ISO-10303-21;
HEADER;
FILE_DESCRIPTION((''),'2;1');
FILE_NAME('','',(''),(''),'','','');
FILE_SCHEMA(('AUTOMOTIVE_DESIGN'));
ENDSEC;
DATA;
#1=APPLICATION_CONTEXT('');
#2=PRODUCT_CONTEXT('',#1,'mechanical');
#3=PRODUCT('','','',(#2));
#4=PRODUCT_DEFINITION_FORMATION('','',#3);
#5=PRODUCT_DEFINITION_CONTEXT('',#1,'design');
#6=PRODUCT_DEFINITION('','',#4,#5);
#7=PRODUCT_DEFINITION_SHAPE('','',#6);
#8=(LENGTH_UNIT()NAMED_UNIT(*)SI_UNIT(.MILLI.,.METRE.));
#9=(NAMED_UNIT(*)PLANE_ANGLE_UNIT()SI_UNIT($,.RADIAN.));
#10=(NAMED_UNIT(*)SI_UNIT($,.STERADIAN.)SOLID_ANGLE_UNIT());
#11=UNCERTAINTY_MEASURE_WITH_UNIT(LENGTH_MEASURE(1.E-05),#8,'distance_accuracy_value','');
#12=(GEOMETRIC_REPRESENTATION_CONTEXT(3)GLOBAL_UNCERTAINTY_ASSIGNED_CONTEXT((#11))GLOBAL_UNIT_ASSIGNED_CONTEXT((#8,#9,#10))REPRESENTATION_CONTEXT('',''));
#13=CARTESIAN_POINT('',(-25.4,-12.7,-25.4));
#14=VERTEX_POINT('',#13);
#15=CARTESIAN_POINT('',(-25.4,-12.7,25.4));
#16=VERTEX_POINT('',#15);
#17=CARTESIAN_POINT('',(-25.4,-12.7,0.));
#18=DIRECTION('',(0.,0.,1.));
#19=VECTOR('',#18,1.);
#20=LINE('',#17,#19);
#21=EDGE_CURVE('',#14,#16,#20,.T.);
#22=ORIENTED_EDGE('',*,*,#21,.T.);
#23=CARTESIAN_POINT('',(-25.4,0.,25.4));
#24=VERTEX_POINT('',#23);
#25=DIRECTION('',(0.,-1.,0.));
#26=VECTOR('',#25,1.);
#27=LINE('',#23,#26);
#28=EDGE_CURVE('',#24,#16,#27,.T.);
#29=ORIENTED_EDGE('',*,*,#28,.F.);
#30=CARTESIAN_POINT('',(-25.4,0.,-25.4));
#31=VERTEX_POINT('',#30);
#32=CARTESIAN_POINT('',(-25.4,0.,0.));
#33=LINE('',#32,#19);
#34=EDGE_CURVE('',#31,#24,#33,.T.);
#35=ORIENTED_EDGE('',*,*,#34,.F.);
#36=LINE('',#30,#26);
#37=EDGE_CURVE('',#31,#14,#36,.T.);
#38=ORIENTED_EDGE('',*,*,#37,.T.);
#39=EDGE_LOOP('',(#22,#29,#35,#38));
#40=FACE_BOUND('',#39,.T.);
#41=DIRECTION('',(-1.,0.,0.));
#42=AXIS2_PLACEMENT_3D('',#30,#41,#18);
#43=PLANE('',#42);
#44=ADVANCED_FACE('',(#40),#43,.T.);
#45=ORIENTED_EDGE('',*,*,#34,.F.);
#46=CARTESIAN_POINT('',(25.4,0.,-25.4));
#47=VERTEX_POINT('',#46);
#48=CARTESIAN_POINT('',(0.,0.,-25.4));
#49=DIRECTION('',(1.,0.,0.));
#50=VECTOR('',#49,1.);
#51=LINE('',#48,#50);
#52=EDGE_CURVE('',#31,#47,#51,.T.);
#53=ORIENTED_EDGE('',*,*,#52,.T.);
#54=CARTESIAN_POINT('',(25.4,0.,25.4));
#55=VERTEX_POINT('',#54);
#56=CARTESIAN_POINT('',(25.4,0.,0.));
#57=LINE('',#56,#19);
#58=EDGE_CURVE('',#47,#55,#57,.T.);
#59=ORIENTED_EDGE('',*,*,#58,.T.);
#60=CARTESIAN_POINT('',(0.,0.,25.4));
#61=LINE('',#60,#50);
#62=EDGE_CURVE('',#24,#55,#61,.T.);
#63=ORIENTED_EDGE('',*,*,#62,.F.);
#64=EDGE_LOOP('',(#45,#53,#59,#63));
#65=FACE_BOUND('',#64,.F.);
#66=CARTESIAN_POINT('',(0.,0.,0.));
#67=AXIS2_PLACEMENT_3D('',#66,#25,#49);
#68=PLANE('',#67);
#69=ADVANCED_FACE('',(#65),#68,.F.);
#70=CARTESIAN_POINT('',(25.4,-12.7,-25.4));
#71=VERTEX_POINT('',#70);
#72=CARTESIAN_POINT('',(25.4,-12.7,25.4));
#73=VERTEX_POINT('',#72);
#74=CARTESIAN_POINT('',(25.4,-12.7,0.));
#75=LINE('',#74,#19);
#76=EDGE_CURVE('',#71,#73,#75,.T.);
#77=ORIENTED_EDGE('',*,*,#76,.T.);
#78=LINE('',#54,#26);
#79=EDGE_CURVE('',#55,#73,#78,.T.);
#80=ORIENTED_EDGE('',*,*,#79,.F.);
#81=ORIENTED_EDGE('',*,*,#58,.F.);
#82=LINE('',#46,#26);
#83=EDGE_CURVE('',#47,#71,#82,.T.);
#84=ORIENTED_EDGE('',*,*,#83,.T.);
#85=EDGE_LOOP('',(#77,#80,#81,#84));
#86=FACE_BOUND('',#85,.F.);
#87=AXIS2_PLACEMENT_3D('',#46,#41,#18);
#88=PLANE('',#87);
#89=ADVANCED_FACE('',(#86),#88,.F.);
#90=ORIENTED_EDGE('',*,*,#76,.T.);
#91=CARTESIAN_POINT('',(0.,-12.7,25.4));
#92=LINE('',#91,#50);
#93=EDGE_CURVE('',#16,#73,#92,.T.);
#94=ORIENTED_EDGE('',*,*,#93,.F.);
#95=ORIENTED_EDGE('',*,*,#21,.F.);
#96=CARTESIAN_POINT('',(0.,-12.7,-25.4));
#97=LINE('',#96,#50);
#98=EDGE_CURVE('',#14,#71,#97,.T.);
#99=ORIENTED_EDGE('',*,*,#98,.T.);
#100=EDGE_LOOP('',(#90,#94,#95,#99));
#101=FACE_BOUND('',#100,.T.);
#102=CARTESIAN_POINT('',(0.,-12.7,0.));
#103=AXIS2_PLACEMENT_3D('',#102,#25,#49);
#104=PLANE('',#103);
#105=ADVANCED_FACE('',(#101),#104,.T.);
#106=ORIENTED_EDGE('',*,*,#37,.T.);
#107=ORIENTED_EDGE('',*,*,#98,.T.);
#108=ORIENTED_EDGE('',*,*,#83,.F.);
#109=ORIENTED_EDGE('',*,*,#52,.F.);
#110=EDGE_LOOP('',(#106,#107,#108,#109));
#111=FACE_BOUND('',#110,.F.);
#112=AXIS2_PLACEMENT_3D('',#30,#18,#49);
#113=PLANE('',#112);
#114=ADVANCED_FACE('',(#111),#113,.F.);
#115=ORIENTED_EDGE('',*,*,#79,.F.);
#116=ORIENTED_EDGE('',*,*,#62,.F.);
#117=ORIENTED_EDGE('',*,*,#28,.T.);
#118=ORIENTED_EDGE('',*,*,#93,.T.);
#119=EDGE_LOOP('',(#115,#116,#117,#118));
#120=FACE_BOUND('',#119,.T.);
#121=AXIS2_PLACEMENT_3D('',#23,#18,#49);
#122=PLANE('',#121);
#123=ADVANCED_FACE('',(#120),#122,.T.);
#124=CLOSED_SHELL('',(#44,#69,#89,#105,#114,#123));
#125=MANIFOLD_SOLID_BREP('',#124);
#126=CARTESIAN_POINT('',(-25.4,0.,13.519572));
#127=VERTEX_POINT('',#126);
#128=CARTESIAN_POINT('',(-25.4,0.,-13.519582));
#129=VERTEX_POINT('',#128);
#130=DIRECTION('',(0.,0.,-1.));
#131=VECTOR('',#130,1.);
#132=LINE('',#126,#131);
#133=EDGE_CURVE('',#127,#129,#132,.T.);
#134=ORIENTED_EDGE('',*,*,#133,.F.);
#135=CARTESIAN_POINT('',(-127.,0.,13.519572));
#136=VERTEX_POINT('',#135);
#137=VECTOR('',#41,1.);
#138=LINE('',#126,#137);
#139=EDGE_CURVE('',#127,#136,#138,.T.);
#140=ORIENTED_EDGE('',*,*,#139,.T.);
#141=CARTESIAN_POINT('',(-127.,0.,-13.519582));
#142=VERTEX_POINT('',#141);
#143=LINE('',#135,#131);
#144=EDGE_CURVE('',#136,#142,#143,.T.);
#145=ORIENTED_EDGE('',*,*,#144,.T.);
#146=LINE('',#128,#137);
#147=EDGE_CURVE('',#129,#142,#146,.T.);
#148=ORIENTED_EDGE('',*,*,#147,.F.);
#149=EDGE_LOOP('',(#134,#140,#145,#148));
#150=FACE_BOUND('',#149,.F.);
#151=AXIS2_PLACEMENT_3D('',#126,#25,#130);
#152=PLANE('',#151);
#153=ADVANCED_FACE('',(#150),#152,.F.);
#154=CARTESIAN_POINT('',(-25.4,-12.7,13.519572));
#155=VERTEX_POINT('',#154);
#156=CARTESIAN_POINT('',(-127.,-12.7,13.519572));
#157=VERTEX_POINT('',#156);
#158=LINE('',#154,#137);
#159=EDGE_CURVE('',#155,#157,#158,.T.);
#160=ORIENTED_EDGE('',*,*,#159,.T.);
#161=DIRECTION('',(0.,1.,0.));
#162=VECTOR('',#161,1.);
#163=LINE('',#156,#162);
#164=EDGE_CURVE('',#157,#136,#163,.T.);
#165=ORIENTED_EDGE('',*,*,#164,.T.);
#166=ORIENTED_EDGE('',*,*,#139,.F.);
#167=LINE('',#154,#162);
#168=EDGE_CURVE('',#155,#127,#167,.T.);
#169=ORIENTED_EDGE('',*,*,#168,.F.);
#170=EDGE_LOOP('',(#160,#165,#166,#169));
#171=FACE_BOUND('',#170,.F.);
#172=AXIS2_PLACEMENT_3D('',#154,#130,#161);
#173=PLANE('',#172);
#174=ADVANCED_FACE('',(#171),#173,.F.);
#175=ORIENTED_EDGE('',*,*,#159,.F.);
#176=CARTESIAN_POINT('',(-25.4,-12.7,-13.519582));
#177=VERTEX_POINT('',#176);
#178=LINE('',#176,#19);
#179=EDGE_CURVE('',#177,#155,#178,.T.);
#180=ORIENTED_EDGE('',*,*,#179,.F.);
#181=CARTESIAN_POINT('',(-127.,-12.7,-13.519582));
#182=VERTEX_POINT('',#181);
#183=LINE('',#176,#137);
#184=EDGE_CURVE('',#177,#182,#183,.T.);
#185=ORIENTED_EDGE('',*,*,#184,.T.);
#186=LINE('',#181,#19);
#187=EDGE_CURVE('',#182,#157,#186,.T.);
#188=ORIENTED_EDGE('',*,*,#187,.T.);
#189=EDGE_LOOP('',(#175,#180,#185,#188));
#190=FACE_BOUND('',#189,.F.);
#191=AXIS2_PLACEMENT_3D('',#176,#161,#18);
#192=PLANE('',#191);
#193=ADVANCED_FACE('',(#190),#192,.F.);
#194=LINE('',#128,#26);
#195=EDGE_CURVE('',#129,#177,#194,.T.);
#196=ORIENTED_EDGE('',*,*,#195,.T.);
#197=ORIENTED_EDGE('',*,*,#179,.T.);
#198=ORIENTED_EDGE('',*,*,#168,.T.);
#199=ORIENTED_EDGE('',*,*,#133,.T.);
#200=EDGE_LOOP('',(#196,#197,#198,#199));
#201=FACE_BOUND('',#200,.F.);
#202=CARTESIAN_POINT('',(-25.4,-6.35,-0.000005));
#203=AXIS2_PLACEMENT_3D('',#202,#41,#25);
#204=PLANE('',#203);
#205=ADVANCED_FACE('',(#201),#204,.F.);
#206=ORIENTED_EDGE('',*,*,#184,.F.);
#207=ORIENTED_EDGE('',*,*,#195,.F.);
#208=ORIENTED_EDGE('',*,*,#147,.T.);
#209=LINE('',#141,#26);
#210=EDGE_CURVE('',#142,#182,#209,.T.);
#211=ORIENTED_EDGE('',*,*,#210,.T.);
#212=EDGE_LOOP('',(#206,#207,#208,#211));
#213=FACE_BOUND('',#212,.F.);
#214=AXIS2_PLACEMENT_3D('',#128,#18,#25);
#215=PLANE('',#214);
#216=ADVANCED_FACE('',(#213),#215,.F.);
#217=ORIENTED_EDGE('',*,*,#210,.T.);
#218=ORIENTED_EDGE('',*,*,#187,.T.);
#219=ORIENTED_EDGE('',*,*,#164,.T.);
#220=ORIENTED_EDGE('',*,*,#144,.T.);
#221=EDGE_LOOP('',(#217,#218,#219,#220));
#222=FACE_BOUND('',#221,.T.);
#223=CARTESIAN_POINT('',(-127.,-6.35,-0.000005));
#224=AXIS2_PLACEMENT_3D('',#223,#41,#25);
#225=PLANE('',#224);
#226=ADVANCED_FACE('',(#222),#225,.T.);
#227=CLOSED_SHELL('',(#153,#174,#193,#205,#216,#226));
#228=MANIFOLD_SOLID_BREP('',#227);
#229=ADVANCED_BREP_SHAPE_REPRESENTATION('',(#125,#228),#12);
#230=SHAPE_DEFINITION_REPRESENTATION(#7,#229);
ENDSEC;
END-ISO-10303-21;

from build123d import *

# Parameters (mm, degrees)
F0_W     = 50.8
F0_H     = 50.8
F1_DEPTH = 12.7
F3_DEPTH = 101.6


with BuildPart() as f1:
    # F0 (on Front) → F1 (new body)
    with BuildSketch(Plane.XZ):
        Rectangle(F0_W, F0_H)
    extrude(amount=F1_DEPTH)


with BuildPart() as f3:
    # F2 (on face) → F3 (new body)
    with BuildSketch(Plane(origin=(-25.4, 0, 0), x_dir=(0, -1, 0), z_dir=(-1, 0, 0))):
        Polygon((12.7, 13.519572), (0, 13.519572), (0, 0), (0, -13.519582), (12.7, -13.519582), (12.7, 0), align=None)
    extrude(amount=F3_DEPTH)


solid = Compound([f1.part, f3.part])
